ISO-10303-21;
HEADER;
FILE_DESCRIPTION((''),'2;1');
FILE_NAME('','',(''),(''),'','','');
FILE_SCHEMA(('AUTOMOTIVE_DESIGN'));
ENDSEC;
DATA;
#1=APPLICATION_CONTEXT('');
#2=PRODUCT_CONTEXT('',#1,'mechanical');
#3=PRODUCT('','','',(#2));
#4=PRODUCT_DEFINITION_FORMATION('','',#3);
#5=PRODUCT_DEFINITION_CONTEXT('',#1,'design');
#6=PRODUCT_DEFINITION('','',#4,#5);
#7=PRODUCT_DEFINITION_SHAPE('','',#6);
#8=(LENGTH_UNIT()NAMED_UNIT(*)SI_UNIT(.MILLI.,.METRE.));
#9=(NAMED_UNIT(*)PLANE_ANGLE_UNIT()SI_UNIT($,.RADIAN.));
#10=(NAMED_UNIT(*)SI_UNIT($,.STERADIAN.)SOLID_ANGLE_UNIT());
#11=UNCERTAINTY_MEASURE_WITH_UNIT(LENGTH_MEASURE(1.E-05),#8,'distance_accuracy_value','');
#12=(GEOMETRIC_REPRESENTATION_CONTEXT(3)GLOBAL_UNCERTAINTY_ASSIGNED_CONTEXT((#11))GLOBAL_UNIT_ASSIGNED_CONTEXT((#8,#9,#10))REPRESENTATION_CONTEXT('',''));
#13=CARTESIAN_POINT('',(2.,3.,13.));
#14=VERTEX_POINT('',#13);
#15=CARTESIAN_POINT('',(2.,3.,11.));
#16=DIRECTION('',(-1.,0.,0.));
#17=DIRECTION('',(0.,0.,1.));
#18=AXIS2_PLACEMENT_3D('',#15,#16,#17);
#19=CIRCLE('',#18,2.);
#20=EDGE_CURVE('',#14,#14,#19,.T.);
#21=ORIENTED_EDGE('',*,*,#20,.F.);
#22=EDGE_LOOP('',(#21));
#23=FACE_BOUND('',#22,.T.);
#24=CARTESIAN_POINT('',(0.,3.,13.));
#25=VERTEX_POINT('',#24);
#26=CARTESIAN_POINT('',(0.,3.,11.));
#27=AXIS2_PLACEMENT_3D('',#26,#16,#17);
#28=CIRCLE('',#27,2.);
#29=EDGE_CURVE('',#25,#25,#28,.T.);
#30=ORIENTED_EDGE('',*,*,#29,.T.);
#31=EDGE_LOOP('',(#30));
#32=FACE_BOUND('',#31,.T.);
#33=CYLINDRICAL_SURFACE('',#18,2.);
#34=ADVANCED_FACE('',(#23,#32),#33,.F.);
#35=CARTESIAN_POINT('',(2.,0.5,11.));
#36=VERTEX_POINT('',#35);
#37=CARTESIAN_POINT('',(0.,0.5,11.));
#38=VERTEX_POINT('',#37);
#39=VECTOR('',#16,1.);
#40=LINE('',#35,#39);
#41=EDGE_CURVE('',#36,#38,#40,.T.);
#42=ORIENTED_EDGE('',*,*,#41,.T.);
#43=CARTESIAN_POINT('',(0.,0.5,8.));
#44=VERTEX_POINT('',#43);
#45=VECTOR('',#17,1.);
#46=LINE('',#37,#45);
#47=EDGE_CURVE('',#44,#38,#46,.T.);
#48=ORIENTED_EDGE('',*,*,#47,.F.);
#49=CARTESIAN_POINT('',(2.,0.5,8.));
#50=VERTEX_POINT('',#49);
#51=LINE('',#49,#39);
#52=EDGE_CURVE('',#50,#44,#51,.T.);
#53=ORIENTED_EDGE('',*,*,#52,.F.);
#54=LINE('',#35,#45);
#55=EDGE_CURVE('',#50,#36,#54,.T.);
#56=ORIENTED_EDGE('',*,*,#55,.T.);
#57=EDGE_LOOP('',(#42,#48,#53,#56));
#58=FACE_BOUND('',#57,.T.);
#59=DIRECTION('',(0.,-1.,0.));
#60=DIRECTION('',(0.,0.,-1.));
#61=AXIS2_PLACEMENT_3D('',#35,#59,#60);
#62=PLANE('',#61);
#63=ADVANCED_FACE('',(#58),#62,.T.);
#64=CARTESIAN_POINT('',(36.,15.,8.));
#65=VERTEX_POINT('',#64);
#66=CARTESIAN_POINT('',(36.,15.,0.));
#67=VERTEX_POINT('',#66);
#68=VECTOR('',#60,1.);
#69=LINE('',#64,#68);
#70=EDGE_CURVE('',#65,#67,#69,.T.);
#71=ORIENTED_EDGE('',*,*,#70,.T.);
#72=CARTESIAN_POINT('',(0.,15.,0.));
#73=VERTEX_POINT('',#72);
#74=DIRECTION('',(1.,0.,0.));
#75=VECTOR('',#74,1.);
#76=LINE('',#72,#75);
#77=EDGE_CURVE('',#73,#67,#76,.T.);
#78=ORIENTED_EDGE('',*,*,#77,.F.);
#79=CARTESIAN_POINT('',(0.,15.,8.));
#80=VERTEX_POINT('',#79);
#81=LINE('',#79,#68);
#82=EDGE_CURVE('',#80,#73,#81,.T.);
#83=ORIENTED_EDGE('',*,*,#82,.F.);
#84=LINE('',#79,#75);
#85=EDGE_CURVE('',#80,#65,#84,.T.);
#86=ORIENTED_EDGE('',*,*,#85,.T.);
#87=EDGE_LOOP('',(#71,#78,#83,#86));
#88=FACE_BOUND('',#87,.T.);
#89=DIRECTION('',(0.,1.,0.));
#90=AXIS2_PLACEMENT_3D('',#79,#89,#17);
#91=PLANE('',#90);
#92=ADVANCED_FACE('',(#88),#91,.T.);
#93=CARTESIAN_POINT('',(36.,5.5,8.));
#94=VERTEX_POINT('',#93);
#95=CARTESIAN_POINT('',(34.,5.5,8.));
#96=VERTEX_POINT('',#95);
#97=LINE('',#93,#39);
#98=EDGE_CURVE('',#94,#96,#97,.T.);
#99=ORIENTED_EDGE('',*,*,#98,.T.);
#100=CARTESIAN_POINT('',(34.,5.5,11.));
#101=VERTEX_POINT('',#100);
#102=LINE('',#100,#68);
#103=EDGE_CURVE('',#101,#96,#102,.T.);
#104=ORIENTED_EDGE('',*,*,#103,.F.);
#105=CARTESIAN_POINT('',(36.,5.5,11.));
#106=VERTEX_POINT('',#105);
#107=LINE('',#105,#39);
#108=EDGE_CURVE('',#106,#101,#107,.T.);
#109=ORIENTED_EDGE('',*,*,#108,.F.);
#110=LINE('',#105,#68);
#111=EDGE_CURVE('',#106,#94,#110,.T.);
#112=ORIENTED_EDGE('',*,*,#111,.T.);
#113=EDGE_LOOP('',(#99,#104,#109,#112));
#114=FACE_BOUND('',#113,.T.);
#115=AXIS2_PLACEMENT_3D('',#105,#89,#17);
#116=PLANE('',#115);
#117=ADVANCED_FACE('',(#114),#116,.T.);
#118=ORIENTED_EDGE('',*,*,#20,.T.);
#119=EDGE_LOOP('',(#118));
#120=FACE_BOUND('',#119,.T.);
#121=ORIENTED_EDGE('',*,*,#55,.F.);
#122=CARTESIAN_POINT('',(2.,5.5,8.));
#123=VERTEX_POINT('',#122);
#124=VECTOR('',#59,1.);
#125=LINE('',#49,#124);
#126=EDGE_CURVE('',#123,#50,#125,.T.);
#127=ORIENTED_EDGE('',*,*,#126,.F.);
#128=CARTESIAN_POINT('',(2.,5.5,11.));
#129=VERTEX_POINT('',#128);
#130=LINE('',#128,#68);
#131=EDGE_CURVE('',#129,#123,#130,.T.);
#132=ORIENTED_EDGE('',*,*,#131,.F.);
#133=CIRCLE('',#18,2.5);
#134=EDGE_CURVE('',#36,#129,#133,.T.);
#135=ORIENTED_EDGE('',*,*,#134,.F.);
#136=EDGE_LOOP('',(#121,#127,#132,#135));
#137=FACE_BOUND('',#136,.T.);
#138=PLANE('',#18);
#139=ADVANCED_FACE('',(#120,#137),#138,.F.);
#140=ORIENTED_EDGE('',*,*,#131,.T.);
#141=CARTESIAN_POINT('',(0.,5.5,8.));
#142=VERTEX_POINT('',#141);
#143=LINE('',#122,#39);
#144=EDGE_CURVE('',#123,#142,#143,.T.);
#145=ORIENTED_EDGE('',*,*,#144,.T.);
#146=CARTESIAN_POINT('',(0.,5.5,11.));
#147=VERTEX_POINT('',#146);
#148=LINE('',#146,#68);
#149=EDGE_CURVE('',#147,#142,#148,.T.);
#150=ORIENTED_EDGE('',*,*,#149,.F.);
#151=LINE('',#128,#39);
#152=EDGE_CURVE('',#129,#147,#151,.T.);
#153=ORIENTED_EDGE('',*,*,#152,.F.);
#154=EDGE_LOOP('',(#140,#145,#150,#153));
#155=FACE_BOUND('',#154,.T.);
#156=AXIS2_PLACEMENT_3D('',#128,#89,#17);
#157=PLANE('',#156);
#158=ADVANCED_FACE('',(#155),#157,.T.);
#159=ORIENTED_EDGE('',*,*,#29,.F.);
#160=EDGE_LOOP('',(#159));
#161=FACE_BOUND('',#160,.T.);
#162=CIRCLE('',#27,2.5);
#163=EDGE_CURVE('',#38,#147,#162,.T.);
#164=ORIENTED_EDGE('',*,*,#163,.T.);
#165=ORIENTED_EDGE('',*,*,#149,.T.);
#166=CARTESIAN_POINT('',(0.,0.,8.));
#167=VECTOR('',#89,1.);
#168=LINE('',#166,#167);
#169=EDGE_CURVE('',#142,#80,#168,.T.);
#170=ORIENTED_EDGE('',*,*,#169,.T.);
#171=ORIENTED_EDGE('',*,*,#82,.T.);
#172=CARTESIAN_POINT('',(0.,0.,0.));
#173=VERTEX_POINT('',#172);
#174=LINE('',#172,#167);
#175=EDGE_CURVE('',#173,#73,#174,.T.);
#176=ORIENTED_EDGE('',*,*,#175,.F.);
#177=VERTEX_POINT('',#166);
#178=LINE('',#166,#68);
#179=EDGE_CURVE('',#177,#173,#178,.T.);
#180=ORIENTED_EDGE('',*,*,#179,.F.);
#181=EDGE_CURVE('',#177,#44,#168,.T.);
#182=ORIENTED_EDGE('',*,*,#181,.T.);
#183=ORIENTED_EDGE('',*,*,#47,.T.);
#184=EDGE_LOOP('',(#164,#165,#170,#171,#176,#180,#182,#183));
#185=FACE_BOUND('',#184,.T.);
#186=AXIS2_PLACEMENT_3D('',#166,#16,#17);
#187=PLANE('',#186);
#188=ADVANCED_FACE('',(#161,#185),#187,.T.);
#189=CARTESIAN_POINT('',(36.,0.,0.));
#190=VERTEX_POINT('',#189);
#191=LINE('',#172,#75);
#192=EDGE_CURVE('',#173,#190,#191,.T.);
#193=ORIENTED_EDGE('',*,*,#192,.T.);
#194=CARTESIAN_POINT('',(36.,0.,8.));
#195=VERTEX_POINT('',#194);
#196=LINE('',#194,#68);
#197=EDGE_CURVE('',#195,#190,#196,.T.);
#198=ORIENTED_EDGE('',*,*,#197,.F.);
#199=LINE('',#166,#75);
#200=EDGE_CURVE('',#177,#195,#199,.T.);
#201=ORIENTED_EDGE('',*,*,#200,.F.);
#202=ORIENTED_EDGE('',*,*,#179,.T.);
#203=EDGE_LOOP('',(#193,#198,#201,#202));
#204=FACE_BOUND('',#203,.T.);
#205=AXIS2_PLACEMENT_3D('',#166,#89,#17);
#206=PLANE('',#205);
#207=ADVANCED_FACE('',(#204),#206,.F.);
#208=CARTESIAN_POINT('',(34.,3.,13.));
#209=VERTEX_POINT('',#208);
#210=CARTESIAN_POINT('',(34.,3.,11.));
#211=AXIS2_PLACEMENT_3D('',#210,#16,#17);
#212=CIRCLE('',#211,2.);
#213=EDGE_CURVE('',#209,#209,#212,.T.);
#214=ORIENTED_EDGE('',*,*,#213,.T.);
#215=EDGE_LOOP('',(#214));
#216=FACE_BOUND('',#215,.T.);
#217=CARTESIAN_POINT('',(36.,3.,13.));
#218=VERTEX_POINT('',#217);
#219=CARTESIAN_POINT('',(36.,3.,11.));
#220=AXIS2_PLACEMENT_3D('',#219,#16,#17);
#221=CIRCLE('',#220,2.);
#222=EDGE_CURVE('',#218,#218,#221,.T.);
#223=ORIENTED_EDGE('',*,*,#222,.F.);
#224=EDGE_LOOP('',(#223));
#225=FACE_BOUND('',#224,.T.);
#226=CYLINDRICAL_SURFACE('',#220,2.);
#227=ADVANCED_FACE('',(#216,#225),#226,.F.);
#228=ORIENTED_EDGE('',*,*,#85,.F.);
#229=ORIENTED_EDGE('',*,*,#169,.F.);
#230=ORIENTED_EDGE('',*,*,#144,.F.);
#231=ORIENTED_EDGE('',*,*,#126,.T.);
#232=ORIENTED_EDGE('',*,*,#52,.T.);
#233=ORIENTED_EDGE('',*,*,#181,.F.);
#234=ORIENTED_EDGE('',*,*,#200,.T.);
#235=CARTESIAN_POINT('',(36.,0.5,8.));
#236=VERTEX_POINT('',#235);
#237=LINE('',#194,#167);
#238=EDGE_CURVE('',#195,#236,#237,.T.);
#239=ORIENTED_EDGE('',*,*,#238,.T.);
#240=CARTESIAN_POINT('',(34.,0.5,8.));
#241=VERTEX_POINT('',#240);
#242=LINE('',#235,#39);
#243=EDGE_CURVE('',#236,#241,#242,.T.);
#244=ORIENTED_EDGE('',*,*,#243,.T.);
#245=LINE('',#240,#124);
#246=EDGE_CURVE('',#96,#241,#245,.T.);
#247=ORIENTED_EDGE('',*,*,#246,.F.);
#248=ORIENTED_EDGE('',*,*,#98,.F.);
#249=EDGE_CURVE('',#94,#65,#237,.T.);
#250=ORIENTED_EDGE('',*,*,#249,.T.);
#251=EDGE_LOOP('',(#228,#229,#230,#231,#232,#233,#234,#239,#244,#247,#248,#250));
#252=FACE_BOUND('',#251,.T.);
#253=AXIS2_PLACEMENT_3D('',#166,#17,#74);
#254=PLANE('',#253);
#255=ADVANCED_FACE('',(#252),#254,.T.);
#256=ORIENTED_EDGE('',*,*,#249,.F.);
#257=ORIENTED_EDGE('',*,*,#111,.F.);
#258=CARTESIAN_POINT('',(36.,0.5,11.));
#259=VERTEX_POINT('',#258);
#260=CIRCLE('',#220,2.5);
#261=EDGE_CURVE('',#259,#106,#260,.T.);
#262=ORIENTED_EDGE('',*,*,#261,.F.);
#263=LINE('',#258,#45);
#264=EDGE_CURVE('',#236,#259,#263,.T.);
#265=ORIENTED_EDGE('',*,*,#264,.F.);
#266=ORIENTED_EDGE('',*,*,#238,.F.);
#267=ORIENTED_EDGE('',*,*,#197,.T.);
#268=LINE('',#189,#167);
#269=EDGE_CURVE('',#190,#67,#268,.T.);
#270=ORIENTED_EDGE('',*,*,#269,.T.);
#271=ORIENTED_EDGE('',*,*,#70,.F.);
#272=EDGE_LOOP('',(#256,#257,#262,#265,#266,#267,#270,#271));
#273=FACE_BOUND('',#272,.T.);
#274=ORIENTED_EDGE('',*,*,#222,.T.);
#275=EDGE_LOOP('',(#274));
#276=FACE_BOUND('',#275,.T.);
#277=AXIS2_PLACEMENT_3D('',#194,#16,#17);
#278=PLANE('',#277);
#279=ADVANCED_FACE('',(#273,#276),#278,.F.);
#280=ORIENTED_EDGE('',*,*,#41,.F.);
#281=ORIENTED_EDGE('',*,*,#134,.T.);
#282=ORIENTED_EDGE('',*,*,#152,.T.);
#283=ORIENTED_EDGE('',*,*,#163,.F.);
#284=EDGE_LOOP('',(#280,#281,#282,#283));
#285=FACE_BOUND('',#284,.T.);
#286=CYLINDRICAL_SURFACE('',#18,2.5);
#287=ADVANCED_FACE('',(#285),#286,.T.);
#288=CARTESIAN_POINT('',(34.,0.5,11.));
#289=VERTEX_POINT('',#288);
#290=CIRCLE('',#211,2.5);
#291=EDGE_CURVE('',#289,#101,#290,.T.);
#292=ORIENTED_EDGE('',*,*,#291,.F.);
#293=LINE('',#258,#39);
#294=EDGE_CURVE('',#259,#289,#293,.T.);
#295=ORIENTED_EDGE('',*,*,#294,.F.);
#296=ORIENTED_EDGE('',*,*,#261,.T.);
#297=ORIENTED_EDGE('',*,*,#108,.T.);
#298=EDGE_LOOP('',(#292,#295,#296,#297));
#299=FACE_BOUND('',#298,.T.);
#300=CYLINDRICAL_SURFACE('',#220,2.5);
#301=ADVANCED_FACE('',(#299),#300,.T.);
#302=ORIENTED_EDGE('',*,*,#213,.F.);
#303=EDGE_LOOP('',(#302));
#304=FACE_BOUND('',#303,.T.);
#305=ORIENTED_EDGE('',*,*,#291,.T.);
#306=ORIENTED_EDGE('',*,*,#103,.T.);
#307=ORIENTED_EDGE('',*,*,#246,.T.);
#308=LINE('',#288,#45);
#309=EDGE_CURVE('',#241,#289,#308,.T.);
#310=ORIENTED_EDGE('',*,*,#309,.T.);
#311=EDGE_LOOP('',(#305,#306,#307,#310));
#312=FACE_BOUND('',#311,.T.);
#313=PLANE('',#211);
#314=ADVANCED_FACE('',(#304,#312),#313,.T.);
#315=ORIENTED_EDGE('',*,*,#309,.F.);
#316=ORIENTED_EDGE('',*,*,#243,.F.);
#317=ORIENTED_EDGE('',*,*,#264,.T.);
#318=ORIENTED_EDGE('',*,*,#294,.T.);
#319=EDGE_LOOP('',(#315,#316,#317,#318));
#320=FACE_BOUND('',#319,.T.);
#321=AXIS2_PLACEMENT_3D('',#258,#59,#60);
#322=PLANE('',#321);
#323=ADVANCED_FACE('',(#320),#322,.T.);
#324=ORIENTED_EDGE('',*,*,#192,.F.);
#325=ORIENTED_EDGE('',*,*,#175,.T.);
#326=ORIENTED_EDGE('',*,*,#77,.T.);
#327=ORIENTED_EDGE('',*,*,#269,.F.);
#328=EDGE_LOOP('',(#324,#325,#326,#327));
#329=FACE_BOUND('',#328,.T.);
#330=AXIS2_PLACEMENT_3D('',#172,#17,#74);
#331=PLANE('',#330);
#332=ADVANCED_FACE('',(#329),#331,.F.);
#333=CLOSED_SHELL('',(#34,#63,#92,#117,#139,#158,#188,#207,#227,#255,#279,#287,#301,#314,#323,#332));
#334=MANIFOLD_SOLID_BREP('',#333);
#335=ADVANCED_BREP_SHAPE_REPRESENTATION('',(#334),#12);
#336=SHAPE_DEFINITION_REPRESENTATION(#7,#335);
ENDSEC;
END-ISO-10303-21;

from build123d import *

# Parameters (mm, degrees)
ESQUISSE1_W                = 36
ESQUISSE1_H                = 15
BOSS_EXTRU_3_DEPTH         = 8
ESQUISSE2_R                = 2
BOSS_EXTRU_4_DEPTH         = 2
R_P_TITION_LIN_AIRE1_COUNT = 2
R_P_TITION_LIN_AIRE1_PITCH = 34


with BuildPart() as part:
    # Esquisse1 → Boss.-Extru.3 (new body)
    with BuildSketch(Plane.XY):
        with Locations((18, 7.5)):
            Rectangle(ESQUISSE1_W, ESQUISSE1_H)
    extrude(amount=BOSS_EXTRU_3_DEPTH)

    # Esquisse2 → Boss.-Extru.4 (add)
    with BuildSketch(Plane.ZY):
        with BuildLine():
            Line((11, 5.5), (8, 5.5))
            Line((8, 5.5), (8, 0.5))
            Line((8, 0.5), (11, 0.5))
            ThreePointArc((11, 0.5), (13.5, 3), (11, 5.5))
        make_face()
        with Locations((11, 3)):
            Circle(ESQUISSE2_R, mode=Mode.SUBTRACT)
    boss_extru_4 = extrude(amount=-BOSS_EXTRU_4_DEPTH)

    # Répétition linéaire1: Boss.-Extru.4 ×2
    with Locations(*[(i * R_P_TITION_LIN_AIRE1_PITCH, 0, 0) for i in range(1, R_P_TITION_LIN_AIRE1_COUNT)]):
        add(boss_extru_4)


solid = part.part
